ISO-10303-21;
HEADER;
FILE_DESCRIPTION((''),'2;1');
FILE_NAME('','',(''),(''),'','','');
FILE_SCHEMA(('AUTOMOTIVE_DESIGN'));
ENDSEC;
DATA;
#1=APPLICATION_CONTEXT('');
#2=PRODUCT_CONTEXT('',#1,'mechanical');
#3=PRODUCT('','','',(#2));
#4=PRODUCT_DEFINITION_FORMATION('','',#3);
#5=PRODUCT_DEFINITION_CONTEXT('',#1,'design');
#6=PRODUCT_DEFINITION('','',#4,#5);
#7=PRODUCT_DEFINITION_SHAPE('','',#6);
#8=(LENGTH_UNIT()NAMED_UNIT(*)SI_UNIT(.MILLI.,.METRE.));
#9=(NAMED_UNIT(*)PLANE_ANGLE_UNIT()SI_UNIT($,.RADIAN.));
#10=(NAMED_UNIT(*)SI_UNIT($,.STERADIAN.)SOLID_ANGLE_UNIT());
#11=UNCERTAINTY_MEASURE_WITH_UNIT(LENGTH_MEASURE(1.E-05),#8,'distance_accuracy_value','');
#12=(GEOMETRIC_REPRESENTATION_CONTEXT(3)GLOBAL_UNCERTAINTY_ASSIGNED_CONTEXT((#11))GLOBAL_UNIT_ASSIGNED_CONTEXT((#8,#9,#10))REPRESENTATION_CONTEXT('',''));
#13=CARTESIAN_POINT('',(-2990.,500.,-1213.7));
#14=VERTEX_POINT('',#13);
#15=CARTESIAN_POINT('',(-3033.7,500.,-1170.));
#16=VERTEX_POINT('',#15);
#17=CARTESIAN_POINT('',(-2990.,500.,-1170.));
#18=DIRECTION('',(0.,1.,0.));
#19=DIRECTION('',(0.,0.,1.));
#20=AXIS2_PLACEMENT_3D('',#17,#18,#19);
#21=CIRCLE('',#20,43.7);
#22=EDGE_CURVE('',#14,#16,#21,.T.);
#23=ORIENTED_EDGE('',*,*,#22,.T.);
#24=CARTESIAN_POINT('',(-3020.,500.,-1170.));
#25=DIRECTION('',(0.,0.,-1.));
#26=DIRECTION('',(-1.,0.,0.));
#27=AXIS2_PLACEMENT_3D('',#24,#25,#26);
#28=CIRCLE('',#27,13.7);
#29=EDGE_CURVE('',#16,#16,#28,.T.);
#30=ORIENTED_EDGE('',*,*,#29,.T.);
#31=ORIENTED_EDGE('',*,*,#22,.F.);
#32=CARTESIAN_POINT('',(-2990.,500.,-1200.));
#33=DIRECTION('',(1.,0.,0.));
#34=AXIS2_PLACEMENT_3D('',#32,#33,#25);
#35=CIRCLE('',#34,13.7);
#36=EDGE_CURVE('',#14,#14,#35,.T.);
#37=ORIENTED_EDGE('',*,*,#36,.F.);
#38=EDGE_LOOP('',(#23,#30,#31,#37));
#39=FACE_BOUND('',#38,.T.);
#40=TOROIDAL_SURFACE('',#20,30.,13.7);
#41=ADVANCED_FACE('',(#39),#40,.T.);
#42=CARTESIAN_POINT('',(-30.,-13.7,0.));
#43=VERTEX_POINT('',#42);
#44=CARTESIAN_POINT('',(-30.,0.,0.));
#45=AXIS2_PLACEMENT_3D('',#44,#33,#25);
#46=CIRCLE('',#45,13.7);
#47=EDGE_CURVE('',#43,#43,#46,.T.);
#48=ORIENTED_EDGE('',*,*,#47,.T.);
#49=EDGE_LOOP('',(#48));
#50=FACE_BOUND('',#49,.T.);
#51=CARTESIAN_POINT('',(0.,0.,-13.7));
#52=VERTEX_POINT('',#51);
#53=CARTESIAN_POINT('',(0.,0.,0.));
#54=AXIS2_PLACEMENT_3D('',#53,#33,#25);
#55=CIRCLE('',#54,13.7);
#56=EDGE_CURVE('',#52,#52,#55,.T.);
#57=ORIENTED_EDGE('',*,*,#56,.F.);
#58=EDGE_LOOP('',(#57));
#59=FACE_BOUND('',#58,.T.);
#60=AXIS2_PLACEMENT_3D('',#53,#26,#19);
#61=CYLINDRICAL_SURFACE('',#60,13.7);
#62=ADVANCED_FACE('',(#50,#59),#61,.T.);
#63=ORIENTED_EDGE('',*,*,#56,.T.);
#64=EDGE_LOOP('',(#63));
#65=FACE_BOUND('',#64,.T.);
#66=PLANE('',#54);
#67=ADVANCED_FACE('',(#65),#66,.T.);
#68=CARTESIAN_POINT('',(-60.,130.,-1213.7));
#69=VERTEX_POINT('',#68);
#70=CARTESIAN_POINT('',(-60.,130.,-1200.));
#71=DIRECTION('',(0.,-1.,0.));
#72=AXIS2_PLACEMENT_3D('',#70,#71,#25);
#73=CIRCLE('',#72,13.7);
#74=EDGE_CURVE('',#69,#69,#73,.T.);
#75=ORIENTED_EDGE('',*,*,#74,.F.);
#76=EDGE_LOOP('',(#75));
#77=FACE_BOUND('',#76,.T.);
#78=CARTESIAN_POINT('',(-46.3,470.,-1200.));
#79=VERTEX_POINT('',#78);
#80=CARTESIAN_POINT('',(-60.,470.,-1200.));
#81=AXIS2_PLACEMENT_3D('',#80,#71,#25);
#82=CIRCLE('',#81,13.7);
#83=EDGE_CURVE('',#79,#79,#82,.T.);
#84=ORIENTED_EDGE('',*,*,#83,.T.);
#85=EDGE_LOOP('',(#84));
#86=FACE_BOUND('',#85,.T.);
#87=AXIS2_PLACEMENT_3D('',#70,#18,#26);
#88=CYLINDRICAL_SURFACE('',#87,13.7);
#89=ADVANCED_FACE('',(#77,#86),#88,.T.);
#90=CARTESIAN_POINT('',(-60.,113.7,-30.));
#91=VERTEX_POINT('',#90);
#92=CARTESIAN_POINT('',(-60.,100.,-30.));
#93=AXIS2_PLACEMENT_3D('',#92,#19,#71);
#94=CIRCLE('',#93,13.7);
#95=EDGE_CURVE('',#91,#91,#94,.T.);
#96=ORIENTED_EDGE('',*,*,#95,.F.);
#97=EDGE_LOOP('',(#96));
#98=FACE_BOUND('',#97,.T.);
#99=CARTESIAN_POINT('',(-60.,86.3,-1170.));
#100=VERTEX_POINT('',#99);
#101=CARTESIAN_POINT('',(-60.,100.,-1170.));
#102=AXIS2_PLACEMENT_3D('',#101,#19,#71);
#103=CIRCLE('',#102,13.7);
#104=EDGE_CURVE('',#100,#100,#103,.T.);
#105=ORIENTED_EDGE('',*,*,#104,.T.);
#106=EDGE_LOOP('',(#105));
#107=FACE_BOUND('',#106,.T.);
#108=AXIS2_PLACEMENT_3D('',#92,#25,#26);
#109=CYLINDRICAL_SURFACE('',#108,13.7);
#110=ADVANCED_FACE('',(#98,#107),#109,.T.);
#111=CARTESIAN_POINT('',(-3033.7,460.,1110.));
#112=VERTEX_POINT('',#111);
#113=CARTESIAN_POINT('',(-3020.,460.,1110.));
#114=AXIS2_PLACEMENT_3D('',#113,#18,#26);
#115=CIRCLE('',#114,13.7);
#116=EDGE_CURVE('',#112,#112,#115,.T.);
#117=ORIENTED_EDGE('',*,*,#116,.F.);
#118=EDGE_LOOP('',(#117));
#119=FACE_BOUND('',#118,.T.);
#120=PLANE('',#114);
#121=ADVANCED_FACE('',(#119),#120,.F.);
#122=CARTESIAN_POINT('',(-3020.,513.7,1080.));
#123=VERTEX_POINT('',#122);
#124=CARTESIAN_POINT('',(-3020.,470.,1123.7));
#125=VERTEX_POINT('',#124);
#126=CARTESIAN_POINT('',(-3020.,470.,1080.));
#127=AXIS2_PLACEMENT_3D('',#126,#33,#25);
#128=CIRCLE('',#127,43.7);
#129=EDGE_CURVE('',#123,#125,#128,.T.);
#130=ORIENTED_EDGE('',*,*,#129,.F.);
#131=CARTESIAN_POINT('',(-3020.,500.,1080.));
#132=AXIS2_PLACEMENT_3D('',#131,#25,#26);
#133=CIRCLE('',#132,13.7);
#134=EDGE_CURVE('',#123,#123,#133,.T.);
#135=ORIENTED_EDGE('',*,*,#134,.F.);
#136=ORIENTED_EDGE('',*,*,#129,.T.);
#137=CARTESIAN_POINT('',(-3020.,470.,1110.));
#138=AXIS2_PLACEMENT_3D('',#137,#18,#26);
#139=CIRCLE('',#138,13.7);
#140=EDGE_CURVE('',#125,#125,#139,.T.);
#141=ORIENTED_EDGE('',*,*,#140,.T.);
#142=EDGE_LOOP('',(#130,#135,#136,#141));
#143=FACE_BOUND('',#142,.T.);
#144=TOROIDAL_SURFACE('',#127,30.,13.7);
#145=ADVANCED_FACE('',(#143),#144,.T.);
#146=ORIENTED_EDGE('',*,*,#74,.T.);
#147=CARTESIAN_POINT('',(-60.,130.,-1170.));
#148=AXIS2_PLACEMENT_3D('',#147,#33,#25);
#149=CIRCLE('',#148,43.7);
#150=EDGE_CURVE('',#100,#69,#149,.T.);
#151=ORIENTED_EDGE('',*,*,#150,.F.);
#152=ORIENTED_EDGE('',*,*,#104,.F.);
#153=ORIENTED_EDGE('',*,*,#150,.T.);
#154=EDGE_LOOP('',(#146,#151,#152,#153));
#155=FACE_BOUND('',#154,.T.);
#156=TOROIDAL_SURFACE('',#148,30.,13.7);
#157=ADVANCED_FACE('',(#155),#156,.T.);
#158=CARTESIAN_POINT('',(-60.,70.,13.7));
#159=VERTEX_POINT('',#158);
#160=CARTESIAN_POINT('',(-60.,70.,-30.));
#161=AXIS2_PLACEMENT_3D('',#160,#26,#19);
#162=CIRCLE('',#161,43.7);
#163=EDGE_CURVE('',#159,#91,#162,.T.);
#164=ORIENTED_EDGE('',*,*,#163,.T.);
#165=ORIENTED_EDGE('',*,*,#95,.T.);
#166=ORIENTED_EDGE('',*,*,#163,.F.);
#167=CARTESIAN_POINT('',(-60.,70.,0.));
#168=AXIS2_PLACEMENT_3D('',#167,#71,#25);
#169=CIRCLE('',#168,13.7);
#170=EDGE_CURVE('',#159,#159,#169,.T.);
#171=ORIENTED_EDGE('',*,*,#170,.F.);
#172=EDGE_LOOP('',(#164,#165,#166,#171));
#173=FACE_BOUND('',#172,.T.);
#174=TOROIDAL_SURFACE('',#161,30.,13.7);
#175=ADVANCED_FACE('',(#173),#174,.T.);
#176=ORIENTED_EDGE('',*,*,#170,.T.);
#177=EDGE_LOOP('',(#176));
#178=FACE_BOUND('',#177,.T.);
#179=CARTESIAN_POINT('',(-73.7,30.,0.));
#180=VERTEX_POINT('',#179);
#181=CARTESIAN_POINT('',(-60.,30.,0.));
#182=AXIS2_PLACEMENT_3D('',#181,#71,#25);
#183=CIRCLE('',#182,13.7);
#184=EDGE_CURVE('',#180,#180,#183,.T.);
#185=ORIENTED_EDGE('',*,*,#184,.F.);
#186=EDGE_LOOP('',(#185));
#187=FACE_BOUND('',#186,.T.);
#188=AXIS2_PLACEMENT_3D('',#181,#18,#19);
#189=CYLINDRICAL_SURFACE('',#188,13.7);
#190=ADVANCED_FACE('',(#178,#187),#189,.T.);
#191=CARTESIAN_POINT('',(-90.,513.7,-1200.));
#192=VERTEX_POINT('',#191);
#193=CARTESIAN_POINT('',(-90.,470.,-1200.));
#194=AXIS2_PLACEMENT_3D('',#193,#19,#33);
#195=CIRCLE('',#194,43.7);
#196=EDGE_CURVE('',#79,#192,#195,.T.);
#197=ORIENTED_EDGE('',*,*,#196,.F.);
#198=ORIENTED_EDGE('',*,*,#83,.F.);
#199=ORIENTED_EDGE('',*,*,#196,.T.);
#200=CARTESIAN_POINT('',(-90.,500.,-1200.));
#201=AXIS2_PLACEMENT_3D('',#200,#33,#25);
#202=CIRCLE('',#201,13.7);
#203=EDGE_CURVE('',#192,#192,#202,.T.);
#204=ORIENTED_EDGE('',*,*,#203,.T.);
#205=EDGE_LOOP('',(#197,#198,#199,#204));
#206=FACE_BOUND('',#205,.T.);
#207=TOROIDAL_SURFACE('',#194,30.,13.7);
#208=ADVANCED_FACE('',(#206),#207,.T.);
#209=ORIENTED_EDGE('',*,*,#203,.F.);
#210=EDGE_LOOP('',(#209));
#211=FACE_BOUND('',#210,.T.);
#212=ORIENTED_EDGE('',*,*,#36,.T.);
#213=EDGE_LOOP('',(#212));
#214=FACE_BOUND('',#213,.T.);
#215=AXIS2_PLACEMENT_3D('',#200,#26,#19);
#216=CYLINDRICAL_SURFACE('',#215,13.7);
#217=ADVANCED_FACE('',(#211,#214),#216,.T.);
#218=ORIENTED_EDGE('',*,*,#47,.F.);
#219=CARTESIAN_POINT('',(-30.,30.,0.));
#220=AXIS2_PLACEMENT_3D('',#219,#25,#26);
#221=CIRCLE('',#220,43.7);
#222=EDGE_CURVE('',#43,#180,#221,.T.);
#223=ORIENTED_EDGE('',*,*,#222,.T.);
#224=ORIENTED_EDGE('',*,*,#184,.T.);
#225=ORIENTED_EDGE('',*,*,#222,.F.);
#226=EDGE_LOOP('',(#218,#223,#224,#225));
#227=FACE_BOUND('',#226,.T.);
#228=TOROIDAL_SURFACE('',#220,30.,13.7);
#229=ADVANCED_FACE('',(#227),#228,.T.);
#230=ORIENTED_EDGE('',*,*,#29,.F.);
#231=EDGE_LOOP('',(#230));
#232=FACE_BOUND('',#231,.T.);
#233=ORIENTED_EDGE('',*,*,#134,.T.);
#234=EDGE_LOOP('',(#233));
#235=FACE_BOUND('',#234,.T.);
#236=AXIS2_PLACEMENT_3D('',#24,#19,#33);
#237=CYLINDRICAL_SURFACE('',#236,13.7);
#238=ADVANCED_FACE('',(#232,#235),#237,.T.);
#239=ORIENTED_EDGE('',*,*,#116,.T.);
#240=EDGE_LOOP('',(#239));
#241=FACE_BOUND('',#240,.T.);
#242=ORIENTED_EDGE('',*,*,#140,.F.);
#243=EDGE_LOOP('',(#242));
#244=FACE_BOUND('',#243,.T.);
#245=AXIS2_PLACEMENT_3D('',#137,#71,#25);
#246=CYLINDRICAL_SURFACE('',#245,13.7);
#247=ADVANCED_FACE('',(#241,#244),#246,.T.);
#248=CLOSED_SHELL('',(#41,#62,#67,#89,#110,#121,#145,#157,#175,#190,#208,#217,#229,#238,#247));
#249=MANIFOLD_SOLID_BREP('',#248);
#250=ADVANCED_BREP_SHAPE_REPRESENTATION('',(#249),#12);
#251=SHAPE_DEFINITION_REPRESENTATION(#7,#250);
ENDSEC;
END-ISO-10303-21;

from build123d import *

# Parameters (mm, degrees)
CROQUIS1_R = 13.7


with BuildPart() as part:
    # Barrer1: sweep along a curve in space
    with BuildLine() as barrer1_path:
        Line((0, 0, 0), (-30, 0, 0))
        ThreePointArc((-30, 0, 0), (-51.213203436, 8.786796564, 0), (-60, 30, 0))
        Line((-60, 30, 0), (-60, 70, 0))
        ThreePointArc((-60, 70, 0), (-60, 91.213203436, -8.786796564), (-60, 100, -30))
        Line((-60, 100, -30), (-60, 100, -1170))
        ThreePointArc((-60, 130, -1200), (-60, 108.786796564, -1191.213203436), (-60, 100, -1170))
        Line((-60, 130, -1200), (-60, 470, -1200))
        ThreePointArc((-60, 470, -1200), (-68.786796564, 491.213203436, -1200), (-90, 500, -1200))
        Line((-90, 500, -1200), (-2990, 500, -1200))
        ThreePointArc((-2990, 500, -1200), (-3011.213203436, 500, -1191.213203436), (-3020, 500, -1170))
        Line((-3020, 500, -1170), (-3020, 500, 1080))
        ThreePointArc((-3020, 500, 1080), (-3020, 491.213203436, 1101.213203436), (-3020, 470, 1110))
        Line((-3020, 470, 1110), (-3020, 460, 1110))
    # Croquis1 → Barrer1 (sweep)
    with BuildSketch(Plane(origin=(0, 0, 0), x_dir=(0, 0, -1), z_dir=(1, 0, 0))):
        Circle(CROQUIS1_R)
    sweep(path=barrer1_path.line)


solid = part.part
